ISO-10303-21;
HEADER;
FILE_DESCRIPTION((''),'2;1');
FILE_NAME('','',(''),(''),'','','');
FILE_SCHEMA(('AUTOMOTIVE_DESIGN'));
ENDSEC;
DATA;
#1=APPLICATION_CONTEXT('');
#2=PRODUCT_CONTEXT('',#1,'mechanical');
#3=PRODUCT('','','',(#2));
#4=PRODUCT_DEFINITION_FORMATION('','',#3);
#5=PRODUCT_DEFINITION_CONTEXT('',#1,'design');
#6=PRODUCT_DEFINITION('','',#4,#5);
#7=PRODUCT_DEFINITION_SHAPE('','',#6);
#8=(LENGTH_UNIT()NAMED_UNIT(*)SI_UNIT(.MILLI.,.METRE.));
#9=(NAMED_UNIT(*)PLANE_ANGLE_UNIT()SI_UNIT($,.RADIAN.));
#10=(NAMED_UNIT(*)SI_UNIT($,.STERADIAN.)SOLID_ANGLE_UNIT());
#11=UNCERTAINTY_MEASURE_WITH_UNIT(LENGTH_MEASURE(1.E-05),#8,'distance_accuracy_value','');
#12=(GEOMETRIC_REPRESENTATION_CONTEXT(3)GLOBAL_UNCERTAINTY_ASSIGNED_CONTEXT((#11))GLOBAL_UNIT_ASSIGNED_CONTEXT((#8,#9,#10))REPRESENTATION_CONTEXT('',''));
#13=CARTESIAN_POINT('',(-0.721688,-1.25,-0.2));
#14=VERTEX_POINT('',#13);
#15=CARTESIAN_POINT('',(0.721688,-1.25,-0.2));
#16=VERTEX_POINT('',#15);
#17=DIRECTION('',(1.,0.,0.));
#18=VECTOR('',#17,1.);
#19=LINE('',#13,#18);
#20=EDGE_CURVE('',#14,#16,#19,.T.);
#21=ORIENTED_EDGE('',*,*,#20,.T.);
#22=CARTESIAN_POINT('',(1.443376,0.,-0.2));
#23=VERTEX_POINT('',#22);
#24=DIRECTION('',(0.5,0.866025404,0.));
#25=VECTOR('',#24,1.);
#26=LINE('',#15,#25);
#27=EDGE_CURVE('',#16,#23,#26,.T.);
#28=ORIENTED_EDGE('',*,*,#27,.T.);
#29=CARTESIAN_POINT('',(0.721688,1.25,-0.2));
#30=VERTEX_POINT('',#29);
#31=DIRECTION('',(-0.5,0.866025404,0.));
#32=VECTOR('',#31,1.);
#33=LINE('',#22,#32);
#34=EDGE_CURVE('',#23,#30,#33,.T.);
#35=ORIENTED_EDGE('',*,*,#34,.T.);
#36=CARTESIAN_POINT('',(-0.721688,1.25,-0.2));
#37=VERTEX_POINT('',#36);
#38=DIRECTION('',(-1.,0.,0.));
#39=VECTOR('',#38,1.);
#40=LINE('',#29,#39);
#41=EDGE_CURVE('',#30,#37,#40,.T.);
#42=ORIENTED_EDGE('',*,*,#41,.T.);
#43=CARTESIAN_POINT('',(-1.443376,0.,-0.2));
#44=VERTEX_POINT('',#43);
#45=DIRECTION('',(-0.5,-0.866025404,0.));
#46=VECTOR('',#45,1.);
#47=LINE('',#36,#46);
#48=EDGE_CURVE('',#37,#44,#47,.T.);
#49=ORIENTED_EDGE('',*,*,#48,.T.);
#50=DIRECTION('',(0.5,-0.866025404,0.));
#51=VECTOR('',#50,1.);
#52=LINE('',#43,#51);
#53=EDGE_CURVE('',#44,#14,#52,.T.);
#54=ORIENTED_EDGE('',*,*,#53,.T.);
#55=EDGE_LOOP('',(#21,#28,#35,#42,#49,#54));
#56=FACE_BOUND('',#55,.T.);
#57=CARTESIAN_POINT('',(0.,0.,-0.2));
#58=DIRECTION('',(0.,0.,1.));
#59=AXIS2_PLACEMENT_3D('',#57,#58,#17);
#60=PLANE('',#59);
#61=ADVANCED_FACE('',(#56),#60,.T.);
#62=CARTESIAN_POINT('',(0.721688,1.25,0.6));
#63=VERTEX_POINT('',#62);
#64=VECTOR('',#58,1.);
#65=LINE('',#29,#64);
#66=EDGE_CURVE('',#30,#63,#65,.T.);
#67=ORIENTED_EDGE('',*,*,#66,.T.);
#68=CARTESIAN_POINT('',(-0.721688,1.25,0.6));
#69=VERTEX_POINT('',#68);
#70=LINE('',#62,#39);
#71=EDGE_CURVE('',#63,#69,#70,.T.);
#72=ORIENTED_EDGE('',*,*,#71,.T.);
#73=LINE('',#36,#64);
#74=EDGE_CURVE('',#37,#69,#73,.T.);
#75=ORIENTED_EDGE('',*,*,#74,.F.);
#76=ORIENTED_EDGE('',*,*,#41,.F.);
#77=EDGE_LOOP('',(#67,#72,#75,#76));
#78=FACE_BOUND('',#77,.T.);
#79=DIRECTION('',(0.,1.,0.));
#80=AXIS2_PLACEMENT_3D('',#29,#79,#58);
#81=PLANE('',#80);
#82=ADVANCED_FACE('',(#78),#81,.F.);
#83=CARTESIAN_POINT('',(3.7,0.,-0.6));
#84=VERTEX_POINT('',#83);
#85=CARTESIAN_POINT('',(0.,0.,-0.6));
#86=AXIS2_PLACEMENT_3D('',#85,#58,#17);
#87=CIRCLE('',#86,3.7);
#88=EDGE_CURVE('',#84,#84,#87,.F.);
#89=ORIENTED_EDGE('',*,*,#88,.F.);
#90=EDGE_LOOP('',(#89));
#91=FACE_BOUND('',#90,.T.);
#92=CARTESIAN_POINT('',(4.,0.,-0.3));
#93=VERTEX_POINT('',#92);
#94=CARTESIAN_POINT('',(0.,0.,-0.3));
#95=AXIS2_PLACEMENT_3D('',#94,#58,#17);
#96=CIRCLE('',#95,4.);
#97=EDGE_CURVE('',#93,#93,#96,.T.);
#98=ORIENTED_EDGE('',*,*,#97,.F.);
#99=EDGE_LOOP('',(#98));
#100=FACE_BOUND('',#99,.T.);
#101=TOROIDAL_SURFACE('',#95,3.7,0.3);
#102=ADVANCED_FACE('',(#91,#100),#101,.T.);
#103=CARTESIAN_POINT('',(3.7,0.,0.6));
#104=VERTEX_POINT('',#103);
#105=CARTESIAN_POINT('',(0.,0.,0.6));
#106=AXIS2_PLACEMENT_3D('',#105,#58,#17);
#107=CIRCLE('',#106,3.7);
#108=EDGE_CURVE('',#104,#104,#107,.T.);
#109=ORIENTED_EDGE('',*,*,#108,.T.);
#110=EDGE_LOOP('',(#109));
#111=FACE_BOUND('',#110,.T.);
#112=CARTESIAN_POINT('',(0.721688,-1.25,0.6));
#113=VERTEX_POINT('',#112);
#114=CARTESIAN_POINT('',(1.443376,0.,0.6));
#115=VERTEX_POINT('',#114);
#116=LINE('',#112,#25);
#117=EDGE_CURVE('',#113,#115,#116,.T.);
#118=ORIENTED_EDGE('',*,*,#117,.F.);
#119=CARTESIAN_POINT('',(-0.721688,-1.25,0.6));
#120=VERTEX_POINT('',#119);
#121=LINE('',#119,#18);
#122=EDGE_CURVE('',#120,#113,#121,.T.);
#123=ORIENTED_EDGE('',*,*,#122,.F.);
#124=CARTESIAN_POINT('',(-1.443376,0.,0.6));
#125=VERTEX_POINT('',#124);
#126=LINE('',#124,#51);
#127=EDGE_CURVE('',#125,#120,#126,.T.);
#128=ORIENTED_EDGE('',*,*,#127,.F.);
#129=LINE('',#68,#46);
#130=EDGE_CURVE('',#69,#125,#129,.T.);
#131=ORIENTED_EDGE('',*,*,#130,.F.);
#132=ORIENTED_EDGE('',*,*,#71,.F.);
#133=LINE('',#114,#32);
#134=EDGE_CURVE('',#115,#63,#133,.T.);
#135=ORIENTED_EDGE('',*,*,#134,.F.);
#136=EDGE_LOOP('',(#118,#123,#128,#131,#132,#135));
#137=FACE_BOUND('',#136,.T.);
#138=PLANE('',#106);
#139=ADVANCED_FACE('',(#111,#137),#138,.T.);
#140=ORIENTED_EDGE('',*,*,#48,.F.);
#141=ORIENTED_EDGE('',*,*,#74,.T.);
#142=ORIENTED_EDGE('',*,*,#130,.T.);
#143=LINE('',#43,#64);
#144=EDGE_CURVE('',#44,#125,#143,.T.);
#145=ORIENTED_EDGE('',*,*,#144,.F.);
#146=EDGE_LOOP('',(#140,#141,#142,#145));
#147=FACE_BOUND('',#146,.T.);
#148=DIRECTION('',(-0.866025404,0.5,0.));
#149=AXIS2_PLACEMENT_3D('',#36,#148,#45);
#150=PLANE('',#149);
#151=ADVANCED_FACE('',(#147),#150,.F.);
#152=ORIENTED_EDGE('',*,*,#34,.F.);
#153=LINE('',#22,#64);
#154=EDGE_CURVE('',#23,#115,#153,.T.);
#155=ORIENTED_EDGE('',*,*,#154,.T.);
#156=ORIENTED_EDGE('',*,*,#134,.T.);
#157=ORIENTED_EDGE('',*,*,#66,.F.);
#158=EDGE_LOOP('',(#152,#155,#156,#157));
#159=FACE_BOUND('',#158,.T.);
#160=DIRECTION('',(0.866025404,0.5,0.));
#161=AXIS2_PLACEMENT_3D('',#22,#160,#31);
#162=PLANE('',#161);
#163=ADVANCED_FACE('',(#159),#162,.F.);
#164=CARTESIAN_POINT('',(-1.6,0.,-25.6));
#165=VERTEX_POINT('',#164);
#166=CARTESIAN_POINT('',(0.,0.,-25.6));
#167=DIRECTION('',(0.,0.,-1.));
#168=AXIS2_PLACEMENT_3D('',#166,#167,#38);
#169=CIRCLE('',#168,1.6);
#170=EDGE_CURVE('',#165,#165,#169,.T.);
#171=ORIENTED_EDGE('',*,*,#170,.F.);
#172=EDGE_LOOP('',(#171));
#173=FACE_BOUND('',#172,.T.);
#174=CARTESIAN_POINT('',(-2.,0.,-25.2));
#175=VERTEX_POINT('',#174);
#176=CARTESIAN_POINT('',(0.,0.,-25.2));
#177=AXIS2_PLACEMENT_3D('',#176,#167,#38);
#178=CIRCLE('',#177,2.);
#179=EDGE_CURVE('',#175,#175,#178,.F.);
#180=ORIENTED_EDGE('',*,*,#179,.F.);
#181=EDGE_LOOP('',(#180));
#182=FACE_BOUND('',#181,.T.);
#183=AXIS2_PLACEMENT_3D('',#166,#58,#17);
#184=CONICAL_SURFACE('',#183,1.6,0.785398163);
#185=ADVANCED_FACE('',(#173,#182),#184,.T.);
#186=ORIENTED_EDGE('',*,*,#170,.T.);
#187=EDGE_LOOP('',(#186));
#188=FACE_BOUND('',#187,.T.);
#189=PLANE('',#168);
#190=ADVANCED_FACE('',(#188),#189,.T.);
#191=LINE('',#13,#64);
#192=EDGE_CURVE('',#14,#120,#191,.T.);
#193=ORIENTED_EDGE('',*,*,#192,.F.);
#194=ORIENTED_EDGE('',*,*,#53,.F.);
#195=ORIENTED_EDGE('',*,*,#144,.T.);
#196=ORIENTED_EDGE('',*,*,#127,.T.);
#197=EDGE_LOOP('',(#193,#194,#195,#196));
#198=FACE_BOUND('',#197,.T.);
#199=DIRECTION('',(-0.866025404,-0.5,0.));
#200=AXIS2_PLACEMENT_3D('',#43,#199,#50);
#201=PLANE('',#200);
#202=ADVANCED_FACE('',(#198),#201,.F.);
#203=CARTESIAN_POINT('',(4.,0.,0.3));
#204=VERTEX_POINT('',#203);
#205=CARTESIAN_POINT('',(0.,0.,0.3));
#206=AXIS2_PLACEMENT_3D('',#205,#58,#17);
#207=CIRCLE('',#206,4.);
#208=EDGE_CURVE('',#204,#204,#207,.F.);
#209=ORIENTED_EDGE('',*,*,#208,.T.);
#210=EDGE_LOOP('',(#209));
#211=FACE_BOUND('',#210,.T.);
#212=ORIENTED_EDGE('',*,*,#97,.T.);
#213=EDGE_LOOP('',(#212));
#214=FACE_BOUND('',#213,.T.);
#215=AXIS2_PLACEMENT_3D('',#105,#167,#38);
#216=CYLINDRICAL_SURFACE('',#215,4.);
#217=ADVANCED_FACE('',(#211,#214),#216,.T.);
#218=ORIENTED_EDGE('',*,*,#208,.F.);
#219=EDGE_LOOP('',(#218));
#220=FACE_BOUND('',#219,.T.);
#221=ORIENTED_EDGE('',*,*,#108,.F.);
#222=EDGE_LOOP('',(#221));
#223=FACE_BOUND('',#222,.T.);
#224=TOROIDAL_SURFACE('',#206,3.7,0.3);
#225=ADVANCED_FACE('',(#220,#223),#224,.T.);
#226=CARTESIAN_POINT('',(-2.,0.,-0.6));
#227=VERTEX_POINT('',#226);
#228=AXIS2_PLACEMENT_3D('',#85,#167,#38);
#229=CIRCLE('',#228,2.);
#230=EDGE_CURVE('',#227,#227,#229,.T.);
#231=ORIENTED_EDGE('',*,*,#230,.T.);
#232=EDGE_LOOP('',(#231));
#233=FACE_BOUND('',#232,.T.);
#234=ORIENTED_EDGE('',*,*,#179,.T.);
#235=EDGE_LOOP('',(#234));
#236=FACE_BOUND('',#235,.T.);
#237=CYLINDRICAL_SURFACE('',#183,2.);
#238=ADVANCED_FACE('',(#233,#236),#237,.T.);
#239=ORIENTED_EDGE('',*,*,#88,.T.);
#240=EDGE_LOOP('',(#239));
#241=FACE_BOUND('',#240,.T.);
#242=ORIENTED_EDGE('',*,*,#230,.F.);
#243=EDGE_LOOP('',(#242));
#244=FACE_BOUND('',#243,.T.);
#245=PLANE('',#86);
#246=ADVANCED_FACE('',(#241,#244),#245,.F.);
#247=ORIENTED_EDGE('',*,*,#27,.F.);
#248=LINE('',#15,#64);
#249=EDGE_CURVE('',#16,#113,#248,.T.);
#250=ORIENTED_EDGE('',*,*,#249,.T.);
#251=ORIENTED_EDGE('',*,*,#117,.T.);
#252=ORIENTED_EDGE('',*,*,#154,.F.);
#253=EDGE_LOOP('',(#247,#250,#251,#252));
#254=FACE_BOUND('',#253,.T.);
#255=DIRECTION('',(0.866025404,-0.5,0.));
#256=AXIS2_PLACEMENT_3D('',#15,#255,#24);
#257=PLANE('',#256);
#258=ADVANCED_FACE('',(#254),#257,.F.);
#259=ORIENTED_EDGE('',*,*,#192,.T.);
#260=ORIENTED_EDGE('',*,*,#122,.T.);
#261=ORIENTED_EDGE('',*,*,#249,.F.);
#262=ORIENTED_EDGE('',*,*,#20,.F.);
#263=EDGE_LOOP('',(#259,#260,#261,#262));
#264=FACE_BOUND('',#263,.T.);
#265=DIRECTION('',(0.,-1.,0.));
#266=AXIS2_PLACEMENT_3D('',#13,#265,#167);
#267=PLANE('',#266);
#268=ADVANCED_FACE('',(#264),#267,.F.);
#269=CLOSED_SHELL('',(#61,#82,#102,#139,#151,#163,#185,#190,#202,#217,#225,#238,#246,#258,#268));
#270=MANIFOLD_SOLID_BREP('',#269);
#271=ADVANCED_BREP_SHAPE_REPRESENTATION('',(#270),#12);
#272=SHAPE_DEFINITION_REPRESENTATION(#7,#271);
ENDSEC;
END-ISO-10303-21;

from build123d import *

# Parameters (mm, degrees)
SKETCH_1_R          = 4
EXTRUDE_1_DEPTH     = 0.6
SKETCH_2_R          = 2
EXTRUDE_2_DEPTH     = 25
CHAMFER_1_SIZE      = 0.4
CUT_EXTRUDE_1_DEPTH = 0.8
FILLET_2_R          = 0.3


with BuildPart() as part:
    # 草图1 → 凸台-拉伸1 (new, symmetric)
    with BuildSketch(Plane.XY):
        Circle(SKETCH_1_R)
    extrude(amount=EXTRUDE_1_DEPTH, both=True)

    # 草图2 → 凸台-拉伸2 (add)
    with BuildSketch(Plane(origin=(0, 0, -0.6), x_dir=(-1, 0, 0), z_dir=(0, 0, -1))):
        Circle(SKETCH_2_R)
    extrude(amount=EXTRUDE_2_DEPTH)

    # 倒角1
    chamfer_1_edges = [part.edges().sort_by_distance(p)[0] for p in [
        (2, 0, -25.6),
    ]]
    chamfer(chamfer_1_edges, length=CHAMFER_1_SIZE)

    # 草图3 → 切除-拉伸1 (cut)
    with BuildSketch(Plane.XY.offset(0.6)):
        Polygon((1.443375673, 0), (0.721687836, 1.25), (-0.721687836, 1.25), (-1.443375673, 0), (-0.721687836, -1.25), (0.721687836, -1.25), align=None)
    extrude(amount=-CUT_EXTRUDE_1_DEPTH, mode=Mode.SUBTRACT)

    # 圆角2
    fillet_2_edges = [part.edges().sort_by_distance(p)[0] for p in [
        (-4, 0, -0.6),
        (-4, 0, 0.6),
    ]]
    fillet(fillet_2_edges, radius=FILLET_2_R)


solid = part.part
